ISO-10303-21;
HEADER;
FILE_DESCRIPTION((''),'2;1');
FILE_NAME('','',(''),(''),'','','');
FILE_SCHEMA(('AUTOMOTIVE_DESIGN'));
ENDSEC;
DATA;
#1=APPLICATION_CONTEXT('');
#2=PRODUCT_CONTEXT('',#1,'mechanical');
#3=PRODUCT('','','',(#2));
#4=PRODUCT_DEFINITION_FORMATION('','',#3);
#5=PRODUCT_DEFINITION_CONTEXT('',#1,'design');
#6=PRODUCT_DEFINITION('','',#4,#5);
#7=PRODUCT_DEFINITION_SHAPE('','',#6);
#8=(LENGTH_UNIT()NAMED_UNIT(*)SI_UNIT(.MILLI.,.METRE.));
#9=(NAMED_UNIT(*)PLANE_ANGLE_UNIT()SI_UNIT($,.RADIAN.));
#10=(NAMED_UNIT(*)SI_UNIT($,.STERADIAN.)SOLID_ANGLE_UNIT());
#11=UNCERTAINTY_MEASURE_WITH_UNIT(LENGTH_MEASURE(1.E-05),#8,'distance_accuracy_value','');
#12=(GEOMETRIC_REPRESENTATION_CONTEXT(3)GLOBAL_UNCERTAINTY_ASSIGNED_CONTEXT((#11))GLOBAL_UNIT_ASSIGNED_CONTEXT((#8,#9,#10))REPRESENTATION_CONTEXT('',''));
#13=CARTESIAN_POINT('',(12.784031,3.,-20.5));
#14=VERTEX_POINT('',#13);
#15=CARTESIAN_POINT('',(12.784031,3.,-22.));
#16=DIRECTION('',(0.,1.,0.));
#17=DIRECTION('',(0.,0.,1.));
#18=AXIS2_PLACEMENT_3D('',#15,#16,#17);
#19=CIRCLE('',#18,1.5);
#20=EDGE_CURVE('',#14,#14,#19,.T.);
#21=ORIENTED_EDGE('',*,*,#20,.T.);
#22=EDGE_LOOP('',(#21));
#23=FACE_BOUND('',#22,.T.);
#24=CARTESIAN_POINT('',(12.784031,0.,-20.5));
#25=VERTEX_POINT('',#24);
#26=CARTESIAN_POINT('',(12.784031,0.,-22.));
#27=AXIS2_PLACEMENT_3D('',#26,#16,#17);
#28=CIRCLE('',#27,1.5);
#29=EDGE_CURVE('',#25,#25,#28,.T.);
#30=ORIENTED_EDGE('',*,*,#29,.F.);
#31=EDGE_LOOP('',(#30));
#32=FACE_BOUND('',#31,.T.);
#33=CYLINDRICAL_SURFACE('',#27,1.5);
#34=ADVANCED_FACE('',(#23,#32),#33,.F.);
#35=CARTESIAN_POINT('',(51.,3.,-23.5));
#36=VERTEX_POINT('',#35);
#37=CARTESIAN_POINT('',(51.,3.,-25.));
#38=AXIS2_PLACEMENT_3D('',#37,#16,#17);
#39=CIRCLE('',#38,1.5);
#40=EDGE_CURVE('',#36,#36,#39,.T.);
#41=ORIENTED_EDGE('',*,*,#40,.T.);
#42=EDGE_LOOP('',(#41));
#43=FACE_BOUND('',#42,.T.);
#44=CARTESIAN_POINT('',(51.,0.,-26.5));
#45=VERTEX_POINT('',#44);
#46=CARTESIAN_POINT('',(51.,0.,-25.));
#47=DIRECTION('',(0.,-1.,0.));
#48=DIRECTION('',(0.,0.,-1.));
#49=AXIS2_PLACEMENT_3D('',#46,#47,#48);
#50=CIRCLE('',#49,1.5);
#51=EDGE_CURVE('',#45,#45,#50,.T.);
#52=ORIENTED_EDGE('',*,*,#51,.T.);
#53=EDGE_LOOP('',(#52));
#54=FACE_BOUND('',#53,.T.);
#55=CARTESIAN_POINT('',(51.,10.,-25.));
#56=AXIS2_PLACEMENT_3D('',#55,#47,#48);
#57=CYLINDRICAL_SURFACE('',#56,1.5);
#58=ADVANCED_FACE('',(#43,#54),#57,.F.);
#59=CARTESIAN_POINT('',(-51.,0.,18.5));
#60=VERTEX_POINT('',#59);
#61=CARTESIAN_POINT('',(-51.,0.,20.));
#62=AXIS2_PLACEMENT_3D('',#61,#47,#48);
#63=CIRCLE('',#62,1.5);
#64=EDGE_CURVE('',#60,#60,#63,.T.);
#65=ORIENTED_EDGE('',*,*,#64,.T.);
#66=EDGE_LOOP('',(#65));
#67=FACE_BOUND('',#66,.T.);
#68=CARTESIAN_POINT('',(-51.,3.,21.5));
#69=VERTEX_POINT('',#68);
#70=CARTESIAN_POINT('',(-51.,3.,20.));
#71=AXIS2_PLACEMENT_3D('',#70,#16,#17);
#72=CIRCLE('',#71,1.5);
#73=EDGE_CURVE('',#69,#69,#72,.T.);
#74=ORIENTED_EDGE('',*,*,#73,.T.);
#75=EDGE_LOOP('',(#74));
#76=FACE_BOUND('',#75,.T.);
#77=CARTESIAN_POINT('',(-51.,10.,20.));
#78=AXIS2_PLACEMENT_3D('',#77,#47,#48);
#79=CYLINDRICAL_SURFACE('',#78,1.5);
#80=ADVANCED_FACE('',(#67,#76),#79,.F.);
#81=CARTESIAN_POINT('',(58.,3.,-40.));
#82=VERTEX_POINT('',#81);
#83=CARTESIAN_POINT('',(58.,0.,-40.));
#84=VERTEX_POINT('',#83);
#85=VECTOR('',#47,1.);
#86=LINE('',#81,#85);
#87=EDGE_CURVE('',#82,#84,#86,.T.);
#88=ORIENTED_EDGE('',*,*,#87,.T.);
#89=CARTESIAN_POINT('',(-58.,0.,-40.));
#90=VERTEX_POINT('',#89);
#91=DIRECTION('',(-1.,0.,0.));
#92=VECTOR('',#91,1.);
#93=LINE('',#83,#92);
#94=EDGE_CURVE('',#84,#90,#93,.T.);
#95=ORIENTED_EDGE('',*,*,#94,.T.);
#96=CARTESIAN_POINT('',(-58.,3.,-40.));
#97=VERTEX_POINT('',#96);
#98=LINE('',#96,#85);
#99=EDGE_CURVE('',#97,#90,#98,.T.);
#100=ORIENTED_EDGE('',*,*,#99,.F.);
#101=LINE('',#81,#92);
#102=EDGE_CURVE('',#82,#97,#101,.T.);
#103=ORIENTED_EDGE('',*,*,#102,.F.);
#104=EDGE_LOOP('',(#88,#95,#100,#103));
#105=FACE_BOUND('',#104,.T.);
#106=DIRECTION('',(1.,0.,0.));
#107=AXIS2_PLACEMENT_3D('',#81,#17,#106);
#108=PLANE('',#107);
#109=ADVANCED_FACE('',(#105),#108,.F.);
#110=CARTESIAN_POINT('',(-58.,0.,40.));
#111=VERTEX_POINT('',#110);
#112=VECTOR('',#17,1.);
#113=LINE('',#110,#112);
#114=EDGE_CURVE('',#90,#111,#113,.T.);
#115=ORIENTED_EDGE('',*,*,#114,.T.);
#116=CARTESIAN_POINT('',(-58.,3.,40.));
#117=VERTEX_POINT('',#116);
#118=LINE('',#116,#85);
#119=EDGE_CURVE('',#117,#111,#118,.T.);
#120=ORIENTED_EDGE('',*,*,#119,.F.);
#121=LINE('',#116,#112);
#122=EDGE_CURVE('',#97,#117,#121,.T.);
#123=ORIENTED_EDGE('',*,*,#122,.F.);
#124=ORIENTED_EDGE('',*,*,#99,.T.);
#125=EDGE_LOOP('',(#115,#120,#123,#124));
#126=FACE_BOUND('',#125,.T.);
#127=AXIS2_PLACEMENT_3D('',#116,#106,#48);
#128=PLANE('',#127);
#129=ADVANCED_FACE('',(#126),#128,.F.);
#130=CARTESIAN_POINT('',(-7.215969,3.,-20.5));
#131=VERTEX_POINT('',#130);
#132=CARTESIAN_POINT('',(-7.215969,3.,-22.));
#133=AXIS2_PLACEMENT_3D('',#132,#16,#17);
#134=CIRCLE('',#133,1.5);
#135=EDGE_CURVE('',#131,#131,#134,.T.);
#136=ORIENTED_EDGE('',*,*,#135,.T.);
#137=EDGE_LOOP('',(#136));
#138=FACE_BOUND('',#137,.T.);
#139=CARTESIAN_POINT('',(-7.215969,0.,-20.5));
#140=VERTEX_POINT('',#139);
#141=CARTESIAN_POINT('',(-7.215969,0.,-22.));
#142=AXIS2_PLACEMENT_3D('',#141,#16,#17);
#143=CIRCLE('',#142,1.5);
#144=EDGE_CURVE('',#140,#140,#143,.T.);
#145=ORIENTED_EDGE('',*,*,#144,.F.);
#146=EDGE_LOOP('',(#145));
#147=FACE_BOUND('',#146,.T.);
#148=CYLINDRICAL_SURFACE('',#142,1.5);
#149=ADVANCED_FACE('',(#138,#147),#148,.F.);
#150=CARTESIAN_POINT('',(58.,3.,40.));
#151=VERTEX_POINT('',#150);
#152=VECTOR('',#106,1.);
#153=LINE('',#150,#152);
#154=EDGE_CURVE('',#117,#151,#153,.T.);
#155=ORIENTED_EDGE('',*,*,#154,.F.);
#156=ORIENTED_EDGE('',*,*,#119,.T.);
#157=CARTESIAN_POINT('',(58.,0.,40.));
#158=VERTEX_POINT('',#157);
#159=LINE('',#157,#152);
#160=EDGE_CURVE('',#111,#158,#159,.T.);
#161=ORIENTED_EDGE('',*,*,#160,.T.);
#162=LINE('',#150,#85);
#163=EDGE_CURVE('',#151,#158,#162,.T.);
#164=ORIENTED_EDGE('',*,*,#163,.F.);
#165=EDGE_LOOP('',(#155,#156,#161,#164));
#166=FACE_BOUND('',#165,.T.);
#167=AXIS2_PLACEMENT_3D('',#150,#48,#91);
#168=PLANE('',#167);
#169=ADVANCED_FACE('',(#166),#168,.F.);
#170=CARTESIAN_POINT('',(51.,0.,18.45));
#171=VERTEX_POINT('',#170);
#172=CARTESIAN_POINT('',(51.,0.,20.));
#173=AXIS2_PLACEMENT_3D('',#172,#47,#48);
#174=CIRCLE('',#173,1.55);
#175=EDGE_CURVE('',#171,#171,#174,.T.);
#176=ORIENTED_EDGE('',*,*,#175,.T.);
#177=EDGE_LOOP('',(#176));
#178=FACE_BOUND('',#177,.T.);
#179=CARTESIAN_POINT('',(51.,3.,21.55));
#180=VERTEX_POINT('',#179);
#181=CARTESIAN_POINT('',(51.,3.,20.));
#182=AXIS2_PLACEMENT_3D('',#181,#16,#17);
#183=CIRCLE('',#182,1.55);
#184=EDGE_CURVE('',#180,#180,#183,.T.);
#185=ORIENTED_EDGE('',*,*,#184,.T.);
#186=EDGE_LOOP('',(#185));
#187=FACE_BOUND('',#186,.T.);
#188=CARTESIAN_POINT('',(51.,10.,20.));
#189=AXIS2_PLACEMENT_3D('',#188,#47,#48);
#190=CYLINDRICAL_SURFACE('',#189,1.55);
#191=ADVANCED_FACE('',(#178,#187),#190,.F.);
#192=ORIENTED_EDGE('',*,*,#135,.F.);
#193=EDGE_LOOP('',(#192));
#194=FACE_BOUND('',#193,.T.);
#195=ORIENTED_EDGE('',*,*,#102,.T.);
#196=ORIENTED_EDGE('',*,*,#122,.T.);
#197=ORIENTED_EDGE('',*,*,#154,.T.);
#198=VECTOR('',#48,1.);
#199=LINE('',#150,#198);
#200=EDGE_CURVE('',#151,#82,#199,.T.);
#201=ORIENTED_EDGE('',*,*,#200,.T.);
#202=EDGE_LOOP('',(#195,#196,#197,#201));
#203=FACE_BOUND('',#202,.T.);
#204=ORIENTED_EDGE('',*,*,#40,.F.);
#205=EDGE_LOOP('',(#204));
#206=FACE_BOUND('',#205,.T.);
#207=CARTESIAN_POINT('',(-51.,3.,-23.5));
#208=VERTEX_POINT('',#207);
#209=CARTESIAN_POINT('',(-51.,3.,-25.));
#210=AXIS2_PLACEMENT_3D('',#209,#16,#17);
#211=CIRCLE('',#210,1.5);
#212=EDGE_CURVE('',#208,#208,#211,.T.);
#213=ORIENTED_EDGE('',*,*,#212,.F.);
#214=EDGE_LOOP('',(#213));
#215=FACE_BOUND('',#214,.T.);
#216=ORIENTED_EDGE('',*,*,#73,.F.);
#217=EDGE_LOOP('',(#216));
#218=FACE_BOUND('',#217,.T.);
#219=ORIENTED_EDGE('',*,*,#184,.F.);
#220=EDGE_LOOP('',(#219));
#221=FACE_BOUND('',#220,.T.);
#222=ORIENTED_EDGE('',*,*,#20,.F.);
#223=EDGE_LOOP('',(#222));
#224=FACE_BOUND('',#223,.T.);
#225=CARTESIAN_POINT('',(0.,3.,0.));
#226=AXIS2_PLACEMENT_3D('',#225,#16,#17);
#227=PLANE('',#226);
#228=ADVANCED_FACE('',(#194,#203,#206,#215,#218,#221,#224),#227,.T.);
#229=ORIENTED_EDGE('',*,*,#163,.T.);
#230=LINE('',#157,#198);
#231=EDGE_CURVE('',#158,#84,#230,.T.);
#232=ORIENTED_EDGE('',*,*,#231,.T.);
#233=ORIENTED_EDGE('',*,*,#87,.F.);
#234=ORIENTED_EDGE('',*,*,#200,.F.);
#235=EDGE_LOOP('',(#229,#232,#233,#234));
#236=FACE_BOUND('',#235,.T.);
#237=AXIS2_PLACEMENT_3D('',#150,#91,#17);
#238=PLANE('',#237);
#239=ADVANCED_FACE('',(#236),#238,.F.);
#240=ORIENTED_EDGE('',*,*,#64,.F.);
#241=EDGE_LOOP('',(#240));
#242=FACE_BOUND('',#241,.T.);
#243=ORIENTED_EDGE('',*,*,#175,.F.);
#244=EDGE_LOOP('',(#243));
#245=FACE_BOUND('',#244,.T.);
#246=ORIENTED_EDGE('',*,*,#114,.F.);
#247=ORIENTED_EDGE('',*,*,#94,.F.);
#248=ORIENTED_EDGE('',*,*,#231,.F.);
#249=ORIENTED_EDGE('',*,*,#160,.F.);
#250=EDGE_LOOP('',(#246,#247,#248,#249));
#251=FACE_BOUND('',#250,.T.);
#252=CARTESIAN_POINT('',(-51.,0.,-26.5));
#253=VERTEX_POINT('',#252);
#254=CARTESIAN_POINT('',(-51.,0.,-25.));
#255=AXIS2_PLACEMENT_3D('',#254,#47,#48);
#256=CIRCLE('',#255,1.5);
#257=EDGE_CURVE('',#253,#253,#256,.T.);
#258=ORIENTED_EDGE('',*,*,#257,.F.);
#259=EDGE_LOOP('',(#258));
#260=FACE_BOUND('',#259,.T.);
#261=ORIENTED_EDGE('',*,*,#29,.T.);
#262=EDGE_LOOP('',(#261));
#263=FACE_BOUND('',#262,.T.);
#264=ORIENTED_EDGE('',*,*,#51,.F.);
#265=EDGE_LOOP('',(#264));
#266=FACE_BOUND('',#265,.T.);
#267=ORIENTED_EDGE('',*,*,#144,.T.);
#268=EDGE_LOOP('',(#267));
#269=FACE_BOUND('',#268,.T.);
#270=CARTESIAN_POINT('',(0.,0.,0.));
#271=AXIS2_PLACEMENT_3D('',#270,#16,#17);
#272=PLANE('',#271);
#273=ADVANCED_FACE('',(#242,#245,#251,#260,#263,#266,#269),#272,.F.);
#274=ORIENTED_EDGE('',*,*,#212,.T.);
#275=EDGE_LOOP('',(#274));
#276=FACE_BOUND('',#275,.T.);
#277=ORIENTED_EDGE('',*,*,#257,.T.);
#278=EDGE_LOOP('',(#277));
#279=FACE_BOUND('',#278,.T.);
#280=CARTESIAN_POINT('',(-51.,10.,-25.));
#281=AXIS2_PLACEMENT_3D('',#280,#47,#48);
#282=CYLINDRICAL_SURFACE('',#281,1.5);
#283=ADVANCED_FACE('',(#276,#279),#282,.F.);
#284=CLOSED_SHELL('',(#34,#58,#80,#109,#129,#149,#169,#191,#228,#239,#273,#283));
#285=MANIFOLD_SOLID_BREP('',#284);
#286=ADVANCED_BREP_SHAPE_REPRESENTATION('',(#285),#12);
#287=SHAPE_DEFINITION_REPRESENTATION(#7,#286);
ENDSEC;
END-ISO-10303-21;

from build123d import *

# Parameters (mm, degrees)
SKETCH_1_W          = 116
SKETCH_1_H          = 80
EXTRUDE_1_DEPTH     = 3
SKETCH_2_R          = 1.5
SKETCH_2_R_2        = 1.55
CUT_EXTRUDE_1_DEPTH = 10
SKETCH_3_R          = 1.5
CUT_EXTRUDE_2_DEPTH = 71.519500849


with BuildPart() as part:
    # 草图1 → 凸台-拉伸1 (new body)
    with BuildSketch(Plane(origin=(0, 0, 0), x_dir=(1, 0, 0), z_dir=(0, 1, 0))):
        Rectangle(SKETCH_1_W, SKETCH_1_H)
    extrude(amount=EXTRUDE_1_DEPTH)

    # 草图2 → 切除-拉伸1 (cut)
    with BuildSketch(Plane.XZ):
        with Locations(Location((-51, 20, 0), (0, 0, 270))):
            Circle(SKETCH_2_R)
        with Locations(Location((51, 20, 0), (0, 0, 270))):
            Circle(SKETCH_2_R_2)
        with Locations(Location((51, -25, 0), (0, 0, 270))):
            Circle(SKETCH_2_R)
        with Locations(Location((-51, -25, 0), (0, 0, 270))):
            Circle(SKETCH_2_R)
    extrude(amount=-CUT_EXTRUDE_1_DEPTH, mode=Mode.SUBTRACT)

    # 草图3 → 切除-拉伸2 (cut, through all)
    with BuildSketch(Plane(origin=(0, 3, 0), x_dir=(1, 0, 0), z_dir=(0, 1, 0))):
        with Locations(Location((-7.215969028, 22, 0), (0, 0, 270))):
            Circle(SKETCH_3_R)
        with Locations(Location((12.784030972, 22, 0), (0, 0, 270))):
            Circle(SKETCH_3_R)
    extrude(amount=-CUT_EXTRUDE_2_DEPTH, mode=Mode.SUBTRACT)


solid = part.part
